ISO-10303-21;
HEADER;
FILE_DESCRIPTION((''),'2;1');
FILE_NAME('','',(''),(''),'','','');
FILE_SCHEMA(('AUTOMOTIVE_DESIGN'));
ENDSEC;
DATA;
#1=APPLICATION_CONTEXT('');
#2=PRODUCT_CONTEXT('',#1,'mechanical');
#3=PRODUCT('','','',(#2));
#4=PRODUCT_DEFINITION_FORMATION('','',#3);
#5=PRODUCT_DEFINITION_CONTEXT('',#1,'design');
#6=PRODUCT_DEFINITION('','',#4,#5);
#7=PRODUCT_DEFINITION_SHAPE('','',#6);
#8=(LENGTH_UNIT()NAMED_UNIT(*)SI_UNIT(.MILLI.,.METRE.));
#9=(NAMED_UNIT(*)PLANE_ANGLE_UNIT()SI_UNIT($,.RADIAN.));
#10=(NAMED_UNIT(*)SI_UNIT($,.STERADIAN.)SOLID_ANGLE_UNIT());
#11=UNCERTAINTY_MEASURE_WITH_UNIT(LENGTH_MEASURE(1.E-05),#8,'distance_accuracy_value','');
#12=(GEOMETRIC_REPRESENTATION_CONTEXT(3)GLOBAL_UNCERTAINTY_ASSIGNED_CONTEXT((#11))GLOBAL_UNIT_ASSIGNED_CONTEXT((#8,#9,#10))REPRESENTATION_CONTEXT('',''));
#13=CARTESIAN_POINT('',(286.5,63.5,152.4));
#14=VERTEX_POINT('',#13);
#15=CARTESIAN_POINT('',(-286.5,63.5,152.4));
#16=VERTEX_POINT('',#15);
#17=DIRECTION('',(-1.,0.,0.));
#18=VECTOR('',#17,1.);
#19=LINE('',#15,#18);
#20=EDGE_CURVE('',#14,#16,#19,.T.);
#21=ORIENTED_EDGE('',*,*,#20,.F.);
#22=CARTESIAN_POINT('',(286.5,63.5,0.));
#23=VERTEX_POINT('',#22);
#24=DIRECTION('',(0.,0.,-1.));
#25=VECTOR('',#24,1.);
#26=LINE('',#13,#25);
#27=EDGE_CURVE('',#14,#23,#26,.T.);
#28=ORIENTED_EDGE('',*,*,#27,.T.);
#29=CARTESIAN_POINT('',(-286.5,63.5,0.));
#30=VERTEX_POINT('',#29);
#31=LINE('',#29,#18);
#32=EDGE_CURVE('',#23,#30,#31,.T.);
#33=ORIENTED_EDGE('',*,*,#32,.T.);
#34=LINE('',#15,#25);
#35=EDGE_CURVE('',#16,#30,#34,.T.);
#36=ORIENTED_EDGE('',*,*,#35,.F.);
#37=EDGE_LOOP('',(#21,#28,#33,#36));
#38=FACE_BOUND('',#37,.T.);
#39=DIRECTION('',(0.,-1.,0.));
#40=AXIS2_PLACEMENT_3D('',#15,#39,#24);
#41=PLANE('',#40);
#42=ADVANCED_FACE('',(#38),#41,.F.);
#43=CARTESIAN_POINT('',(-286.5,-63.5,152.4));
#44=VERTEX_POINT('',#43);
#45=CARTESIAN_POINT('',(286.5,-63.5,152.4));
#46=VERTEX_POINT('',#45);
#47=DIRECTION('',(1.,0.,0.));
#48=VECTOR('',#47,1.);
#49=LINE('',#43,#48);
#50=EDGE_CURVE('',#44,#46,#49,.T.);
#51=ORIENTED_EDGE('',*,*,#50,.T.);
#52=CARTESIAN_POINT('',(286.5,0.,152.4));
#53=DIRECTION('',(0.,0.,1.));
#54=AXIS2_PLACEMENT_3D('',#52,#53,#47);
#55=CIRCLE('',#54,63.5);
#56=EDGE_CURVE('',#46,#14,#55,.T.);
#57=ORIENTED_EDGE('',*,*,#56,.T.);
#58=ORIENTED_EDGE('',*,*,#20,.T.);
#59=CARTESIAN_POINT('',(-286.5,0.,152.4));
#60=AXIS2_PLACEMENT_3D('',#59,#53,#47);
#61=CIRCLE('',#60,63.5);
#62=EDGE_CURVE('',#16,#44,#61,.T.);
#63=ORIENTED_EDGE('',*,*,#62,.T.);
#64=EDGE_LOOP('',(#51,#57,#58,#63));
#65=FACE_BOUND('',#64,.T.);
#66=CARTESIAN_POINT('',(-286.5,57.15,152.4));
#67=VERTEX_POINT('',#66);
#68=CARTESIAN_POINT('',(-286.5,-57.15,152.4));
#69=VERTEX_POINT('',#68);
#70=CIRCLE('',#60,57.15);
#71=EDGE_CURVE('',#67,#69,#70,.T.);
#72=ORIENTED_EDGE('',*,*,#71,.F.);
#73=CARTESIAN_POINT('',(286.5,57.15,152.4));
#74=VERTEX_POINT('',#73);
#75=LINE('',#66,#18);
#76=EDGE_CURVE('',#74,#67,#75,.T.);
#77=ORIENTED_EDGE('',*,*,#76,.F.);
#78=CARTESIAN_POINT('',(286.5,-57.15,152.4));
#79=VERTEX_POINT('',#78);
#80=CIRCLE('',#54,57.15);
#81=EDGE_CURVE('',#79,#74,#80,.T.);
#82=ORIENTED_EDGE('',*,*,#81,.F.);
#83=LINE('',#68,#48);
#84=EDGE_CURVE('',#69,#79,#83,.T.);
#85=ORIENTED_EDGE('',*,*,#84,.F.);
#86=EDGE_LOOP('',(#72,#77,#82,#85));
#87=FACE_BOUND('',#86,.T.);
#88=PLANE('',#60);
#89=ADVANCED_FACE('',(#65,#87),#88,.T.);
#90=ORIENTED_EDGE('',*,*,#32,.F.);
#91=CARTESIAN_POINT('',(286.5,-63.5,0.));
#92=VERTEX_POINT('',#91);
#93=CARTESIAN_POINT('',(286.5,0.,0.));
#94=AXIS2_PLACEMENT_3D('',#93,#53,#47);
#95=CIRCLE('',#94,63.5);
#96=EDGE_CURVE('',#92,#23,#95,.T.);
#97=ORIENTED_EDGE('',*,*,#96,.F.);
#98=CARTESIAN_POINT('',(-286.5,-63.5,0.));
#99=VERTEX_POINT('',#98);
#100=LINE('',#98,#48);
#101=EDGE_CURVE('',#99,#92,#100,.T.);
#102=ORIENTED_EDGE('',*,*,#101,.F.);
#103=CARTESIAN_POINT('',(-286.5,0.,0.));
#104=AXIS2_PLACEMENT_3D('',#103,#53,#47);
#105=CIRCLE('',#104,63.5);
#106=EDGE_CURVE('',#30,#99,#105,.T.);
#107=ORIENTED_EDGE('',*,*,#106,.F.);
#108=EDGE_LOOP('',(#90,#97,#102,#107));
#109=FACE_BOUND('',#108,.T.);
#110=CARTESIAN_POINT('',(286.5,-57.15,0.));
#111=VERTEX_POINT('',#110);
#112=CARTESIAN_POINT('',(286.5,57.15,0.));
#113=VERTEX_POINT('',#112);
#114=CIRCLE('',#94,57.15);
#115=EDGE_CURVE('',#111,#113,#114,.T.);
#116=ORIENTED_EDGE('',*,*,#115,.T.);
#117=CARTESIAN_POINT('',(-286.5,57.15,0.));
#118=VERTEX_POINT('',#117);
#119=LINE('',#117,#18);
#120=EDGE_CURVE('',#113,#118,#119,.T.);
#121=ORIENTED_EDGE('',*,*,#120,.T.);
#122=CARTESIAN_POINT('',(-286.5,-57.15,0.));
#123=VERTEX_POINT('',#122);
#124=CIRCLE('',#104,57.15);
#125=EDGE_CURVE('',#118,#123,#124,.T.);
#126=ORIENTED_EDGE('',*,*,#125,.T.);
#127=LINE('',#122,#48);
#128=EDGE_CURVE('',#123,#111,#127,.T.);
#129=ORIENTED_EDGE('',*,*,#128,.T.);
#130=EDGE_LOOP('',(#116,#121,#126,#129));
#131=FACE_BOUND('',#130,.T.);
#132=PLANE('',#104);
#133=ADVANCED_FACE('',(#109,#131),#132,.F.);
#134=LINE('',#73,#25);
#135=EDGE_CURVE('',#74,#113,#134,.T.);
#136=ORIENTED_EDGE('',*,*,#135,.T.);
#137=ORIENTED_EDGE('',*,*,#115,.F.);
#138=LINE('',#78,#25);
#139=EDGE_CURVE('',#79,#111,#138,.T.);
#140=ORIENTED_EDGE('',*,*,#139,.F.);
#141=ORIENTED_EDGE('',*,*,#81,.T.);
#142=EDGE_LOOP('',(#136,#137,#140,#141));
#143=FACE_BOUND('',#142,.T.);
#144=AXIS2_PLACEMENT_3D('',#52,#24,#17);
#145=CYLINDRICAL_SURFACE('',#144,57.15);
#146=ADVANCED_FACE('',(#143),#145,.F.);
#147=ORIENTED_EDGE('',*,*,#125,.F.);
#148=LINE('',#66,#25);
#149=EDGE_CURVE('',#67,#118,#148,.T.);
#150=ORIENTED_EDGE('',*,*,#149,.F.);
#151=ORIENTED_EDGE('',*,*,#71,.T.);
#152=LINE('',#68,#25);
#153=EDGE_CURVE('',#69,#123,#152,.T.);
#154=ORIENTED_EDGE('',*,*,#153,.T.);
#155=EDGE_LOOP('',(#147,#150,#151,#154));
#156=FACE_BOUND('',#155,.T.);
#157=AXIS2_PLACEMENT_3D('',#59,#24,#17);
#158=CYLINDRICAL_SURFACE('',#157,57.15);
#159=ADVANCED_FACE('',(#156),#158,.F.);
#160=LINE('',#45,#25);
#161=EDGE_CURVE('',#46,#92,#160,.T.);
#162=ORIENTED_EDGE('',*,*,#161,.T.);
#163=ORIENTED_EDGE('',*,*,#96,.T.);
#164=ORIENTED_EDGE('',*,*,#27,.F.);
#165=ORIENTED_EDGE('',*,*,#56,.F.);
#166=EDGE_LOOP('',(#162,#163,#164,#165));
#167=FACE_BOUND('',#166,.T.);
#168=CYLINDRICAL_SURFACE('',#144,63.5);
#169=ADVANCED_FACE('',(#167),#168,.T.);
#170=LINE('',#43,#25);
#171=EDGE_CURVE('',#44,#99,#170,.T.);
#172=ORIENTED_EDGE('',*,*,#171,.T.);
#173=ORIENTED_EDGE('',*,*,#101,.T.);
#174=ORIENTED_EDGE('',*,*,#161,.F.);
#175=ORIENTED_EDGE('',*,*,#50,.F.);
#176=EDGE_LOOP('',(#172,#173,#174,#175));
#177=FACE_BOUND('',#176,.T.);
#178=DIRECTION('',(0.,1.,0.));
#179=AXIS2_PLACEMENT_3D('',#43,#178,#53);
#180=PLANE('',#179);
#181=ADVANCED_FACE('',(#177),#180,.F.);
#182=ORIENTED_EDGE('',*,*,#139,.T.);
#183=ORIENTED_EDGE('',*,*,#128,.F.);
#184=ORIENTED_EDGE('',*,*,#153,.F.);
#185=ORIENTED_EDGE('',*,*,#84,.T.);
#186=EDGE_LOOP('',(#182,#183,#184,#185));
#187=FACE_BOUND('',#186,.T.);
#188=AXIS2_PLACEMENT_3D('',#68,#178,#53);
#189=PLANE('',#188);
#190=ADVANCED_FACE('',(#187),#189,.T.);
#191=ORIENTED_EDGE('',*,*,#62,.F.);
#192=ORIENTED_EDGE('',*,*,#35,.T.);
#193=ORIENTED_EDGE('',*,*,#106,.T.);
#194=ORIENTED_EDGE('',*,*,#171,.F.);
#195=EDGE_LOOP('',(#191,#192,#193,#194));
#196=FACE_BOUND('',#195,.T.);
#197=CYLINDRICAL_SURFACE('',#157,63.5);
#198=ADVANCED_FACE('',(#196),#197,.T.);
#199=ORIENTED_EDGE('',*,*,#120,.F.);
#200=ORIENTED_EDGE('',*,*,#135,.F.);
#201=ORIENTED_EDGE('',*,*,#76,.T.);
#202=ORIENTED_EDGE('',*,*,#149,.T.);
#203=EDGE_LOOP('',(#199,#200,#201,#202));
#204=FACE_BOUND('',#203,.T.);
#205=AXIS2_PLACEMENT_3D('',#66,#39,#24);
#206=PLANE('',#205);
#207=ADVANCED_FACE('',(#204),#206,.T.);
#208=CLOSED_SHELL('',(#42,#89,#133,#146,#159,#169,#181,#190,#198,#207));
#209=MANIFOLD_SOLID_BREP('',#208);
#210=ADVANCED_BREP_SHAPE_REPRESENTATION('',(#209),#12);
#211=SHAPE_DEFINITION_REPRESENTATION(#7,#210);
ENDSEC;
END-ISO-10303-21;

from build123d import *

# Parameters (mm, degrees)
BOSS_EXTRUDE2_DEPTH = 152.4


with BuildPart() as part:
    # Sketch2 → Boss-Extrude2 (new body)
    with BuildSketch(Plane.XY):
        with BuildLine():
            Line((-286.5, 63.5), (286.5, 63.5))
            ThreePointArc((286.5, 63.5), (350, 0), (286.5, -63.5))
            Line((286.5, -63.5), (-286.5, -63.5))
            ThreePointArc((-286.5, -63.5), (-350, 0), (-286.5, 63.5))
        make_face()
        with BuildLine():
            Line((-286.5, 57.15), (286.5, 57.15))
            ThreePointArc((286.5, 57.15), (343.65, 0), (286.5, -57.15))
            Line((286.5, -57.15), (-286.5, -57.15))
            ThreePointArc((-286.5, -57.15), (-343.65, 0), (-286.5, 57.15))
        make_face(mode=Mode.SUBTRACT)
    extrude(amount=BOSS_EXTRUDE2_DEPTH)


solid = part.part
